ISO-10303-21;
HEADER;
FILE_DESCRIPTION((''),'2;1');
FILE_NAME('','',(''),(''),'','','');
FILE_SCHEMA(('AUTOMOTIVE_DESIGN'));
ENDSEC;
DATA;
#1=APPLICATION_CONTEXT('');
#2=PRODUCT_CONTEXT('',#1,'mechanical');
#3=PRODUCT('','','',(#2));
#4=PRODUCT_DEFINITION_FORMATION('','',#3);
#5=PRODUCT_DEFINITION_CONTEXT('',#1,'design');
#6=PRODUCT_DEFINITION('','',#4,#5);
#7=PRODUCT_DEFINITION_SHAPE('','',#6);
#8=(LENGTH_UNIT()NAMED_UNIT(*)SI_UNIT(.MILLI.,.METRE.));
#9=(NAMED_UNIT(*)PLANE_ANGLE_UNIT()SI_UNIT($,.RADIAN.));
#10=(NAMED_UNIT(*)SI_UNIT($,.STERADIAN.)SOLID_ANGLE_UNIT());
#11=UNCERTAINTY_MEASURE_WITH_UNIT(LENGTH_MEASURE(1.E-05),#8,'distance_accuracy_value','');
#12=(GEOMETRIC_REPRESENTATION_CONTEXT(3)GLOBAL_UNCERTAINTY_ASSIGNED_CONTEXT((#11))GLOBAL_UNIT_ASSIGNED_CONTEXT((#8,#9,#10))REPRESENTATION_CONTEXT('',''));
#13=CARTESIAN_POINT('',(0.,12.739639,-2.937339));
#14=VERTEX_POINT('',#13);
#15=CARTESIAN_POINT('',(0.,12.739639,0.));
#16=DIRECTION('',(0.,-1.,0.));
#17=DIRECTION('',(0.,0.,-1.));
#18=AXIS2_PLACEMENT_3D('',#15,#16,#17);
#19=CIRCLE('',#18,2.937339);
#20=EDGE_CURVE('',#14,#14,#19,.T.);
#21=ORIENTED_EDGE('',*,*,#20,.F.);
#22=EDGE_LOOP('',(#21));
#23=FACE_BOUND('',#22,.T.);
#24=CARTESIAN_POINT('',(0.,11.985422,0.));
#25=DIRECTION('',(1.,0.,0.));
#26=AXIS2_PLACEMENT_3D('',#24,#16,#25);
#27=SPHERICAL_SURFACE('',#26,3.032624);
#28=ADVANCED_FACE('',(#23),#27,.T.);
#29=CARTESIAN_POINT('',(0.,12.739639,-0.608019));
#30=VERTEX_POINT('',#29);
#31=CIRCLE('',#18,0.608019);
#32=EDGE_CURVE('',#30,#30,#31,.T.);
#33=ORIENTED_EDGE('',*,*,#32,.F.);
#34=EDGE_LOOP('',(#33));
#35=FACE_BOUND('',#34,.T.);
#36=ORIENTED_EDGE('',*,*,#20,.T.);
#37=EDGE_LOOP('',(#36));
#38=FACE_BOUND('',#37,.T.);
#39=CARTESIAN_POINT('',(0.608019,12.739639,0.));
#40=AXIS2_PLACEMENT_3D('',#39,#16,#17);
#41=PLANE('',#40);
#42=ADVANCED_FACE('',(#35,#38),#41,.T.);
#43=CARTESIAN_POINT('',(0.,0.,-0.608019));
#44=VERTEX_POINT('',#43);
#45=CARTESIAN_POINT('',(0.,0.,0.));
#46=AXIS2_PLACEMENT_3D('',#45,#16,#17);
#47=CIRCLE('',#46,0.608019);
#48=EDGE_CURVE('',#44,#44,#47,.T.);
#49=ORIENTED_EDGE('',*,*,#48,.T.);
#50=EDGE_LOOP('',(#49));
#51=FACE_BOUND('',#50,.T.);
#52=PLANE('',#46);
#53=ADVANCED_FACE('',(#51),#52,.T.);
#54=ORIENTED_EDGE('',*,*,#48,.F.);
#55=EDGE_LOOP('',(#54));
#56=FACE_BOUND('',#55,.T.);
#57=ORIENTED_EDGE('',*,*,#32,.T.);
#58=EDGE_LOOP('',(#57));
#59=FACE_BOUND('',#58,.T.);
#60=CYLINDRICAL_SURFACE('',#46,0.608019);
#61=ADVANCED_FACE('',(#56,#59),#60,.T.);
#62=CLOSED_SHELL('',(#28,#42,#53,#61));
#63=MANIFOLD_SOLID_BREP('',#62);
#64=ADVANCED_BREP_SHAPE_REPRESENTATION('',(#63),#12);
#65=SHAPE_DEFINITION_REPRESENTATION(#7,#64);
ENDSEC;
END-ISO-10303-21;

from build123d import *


with BuildPart() as part:
    # Sketch1 → Revolve1 (revolve)
    with BuildSketch(Plane.XY):
        with BuildLine():
            Line((0, 0), (0.60801932, 0))
            Line((0.60801932, 0), (0.60801932, 12.739639126))
            Line((0.60801932, 12.739639126), (2.937339451, 12.739639126))
            ThreePointArc((2.937339451, 12.739639126), (1.858702512, 14.381675744), (0, 15.018045819))
            Line((0, 15.018045819), (0, 0))
        make_face()
    revolve(axis=Axis((0, 0, 0), (0, 1, 0)))


solid = part.part
